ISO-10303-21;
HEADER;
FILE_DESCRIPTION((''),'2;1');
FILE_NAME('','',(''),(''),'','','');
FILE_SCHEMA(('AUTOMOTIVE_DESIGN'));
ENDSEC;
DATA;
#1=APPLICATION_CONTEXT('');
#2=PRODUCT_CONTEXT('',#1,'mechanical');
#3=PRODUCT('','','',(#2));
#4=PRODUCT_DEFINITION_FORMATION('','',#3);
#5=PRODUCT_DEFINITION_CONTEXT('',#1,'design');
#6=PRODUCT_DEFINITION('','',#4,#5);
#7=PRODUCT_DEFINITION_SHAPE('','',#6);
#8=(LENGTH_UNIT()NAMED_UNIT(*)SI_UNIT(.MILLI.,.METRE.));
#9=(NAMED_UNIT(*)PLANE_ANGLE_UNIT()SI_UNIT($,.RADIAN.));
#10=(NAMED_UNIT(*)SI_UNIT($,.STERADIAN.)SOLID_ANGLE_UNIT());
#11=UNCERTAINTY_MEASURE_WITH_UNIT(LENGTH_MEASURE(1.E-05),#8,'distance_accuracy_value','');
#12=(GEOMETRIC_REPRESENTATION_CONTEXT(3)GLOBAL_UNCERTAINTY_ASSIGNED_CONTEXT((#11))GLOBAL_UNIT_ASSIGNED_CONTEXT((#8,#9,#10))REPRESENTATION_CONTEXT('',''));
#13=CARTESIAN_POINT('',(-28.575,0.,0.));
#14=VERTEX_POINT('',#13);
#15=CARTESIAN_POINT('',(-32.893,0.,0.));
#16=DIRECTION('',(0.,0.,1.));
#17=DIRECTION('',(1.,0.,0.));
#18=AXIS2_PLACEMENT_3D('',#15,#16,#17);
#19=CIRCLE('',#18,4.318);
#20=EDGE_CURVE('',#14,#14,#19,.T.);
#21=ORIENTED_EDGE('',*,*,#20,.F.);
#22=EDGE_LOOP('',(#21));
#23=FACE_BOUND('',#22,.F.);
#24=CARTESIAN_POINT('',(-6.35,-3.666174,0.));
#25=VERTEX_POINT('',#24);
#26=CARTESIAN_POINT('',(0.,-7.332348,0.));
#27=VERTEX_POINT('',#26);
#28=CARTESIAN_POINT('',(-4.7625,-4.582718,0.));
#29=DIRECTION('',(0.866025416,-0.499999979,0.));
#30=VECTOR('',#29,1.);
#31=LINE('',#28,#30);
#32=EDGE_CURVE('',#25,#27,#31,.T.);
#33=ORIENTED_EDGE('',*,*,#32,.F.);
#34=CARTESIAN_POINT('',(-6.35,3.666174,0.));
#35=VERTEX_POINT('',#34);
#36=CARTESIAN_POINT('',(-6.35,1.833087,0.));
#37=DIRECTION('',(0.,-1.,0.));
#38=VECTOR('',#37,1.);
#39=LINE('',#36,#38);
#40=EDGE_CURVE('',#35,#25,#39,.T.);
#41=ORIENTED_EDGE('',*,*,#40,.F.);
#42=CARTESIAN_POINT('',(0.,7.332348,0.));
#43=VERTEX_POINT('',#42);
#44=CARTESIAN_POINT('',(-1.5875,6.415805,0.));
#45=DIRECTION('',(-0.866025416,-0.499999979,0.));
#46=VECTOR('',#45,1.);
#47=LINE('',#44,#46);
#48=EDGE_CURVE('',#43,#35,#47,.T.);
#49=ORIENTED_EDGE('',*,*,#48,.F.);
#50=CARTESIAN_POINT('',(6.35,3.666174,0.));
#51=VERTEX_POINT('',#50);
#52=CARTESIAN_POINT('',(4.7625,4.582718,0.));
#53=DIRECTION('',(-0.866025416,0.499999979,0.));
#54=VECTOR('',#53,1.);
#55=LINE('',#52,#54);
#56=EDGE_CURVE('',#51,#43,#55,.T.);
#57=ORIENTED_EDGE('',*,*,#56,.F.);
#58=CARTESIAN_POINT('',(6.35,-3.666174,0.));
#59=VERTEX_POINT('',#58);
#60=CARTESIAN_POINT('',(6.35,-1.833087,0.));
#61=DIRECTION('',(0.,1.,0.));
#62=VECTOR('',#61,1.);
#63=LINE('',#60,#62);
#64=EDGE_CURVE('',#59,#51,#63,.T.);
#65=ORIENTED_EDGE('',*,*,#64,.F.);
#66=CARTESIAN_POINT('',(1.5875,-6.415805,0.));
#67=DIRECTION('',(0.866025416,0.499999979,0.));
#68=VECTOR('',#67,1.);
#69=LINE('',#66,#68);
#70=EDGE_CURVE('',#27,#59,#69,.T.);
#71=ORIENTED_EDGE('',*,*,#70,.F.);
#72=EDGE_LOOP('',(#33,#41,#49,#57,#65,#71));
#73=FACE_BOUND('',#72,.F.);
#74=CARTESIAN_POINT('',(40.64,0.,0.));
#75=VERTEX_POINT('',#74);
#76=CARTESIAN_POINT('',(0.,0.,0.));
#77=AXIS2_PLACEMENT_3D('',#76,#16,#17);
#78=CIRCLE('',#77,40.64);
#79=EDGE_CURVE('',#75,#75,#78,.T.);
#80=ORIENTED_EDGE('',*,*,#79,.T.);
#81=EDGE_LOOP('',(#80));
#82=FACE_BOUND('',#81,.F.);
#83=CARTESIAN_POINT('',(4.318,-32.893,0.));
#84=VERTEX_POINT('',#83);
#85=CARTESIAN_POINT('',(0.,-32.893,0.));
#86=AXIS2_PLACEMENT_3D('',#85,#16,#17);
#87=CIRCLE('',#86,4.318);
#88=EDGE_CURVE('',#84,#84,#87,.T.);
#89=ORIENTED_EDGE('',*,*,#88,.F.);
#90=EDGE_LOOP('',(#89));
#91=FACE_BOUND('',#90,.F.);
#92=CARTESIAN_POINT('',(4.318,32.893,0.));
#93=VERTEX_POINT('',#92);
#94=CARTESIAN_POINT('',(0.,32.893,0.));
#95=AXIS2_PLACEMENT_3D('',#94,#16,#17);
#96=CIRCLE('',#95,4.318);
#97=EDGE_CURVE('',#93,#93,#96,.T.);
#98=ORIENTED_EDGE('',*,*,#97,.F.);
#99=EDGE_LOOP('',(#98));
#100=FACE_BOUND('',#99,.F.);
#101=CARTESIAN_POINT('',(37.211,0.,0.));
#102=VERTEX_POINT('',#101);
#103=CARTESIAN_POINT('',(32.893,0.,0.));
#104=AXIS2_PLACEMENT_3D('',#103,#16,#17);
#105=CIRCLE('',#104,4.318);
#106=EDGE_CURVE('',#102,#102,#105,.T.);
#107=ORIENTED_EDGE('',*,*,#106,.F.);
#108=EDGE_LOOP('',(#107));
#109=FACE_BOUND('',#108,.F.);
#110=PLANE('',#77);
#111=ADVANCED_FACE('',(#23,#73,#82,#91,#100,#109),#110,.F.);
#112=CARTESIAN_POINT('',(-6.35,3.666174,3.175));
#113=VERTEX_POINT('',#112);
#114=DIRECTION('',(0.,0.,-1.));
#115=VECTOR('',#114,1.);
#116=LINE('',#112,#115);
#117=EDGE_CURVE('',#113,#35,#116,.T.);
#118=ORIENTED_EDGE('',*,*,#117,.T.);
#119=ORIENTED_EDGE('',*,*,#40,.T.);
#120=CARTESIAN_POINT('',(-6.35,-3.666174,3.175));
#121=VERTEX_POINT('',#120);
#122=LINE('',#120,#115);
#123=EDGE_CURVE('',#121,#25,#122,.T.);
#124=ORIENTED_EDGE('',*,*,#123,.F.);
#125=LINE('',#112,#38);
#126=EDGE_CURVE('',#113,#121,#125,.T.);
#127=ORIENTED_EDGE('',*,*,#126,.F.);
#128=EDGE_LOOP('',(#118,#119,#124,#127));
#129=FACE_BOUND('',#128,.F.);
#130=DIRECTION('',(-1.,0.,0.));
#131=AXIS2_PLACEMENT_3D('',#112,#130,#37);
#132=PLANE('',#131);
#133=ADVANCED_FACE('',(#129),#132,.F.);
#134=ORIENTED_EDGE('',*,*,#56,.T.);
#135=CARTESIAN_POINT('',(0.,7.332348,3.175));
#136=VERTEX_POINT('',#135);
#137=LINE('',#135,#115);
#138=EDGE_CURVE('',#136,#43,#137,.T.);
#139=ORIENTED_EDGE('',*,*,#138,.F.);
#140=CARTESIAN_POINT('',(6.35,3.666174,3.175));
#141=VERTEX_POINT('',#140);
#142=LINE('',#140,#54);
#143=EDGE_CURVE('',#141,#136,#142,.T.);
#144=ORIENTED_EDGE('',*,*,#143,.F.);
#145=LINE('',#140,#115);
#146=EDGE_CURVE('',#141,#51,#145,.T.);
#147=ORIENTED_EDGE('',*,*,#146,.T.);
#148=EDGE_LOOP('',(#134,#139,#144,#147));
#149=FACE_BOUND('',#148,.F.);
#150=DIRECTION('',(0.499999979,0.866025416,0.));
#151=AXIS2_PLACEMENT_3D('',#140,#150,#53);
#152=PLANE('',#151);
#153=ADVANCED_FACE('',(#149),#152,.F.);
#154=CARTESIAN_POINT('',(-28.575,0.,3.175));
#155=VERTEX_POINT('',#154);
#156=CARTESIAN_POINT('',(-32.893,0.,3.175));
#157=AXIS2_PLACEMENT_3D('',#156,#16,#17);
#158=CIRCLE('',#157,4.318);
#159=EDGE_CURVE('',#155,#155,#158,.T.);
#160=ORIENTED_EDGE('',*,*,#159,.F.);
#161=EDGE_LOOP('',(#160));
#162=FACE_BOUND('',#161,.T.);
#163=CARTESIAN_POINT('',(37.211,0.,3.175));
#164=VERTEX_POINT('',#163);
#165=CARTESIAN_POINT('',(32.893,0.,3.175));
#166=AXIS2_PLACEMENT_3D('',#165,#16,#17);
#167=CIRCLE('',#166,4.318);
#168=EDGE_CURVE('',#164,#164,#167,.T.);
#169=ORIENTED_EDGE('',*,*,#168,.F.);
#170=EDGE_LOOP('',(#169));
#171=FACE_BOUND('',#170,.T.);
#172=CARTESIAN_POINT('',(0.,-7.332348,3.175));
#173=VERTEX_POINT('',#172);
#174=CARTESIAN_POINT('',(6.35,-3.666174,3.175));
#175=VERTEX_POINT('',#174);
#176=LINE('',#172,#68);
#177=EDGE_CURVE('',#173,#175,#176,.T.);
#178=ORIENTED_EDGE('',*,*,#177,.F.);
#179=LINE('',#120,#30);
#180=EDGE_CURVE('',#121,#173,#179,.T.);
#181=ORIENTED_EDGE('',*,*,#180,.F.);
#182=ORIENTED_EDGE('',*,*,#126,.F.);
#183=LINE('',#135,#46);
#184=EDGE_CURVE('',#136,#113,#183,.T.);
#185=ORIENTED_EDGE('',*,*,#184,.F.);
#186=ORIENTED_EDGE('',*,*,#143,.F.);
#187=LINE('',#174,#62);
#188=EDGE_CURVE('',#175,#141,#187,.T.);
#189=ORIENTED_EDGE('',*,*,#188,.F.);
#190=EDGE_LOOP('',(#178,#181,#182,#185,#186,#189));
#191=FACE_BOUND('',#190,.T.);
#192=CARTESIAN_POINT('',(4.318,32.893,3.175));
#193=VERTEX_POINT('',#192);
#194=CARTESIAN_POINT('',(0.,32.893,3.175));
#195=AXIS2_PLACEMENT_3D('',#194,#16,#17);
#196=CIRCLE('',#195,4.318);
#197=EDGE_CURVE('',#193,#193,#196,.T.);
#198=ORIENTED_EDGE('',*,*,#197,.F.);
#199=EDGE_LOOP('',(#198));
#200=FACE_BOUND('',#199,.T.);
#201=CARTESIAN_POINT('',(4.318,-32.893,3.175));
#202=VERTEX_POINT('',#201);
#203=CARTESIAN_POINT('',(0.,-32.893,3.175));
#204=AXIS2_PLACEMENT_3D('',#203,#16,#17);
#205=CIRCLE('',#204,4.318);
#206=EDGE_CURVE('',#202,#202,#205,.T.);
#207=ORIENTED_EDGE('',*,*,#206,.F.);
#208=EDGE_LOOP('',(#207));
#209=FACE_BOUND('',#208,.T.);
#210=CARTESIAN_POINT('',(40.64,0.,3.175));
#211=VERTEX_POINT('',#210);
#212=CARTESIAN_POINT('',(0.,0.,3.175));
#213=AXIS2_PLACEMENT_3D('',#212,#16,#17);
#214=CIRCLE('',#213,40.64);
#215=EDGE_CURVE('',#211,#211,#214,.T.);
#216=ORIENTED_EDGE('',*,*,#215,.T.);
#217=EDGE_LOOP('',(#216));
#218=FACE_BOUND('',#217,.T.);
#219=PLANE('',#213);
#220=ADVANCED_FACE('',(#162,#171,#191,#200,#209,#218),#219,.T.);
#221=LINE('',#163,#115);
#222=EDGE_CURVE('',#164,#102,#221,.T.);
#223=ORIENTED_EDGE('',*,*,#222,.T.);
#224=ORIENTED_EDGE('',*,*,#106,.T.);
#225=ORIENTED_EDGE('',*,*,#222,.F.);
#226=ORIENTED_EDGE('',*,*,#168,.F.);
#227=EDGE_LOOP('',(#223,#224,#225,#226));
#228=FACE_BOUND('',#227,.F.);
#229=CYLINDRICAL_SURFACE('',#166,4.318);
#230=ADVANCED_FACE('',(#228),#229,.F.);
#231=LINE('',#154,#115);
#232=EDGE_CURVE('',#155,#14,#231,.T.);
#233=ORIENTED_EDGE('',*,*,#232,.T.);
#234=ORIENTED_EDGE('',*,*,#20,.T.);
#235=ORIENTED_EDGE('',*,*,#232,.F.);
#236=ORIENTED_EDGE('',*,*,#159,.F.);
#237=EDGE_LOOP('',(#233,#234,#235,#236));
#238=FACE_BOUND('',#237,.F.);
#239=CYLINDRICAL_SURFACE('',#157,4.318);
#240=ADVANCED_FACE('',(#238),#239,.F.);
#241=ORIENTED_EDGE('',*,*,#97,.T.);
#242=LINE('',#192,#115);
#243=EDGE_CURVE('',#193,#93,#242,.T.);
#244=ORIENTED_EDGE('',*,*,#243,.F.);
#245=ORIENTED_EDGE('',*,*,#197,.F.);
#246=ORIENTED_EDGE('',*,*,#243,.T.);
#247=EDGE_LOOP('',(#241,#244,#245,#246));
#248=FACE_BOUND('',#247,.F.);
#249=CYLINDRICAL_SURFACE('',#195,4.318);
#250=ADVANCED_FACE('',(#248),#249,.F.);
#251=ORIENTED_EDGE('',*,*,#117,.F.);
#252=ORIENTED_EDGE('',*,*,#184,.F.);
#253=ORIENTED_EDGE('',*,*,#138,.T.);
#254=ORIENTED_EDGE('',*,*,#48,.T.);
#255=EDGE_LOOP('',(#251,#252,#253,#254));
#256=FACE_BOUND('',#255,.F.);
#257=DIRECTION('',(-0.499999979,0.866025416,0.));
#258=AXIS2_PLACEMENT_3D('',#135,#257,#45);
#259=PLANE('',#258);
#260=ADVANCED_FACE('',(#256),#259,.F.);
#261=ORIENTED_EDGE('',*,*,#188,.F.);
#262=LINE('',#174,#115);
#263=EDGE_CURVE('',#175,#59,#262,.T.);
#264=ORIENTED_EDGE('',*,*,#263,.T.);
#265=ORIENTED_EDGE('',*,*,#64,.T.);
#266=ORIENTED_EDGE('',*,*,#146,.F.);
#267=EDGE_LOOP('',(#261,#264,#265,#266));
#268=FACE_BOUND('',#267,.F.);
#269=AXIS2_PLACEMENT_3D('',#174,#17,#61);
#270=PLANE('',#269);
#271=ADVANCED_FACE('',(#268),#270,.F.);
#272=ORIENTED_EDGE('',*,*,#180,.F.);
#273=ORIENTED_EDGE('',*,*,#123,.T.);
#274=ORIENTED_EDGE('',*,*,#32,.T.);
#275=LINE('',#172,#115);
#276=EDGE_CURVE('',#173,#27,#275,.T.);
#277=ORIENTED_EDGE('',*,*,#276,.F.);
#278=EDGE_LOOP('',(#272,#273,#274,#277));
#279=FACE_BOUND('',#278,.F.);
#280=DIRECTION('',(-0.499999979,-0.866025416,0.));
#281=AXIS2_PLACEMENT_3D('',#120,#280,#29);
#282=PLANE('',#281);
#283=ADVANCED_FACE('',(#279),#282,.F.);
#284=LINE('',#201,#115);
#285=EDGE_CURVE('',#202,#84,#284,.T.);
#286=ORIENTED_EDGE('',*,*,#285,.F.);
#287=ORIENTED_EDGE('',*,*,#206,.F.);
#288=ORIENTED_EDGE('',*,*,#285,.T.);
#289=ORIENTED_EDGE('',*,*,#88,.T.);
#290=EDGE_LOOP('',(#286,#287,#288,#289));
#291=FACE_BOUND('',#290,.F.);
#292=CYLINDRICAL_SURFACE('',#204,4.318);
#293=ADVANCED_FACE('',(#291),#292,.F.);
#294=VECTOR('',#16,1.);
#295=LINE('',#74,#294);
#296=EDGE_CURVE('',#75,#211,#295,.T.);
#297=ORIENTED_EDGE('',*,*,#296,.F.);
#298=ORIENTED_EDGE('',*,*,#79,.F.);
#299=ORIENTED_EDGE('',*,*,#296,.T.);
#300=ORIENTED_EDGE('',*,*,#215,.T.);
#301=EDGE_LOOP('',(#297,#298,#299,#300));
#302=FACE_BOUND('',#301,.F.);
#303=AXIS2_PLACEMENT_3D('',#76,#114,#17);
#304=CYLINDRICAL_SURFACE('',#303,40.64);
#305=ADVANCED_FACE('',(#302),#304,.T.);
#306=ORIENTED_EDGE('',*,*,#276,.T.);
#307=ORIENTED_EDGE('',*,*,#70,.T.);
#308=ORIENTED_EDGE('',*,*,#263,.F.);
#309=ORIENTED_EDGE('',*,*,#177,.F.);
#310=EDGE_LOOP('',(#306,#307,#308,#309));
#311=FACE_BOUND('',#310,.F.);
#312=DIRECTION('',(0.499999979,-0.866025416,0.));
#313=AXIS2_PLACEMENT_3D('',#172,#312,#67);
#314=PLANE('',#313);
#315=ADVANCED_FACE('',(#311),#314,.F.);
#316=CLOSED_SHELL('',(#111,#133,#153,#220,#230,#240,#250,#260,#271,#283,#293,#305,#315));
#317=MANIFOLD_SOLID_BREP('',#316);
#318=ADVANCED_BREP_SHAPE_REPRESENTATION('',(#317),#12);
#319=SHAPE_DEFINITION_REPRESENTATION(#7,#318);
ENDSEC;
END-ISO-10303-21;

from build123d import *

# Parameters (mm, degrees)
F0_R     = 40.64
F1_DEPTH = 3.175
F2_R     = 4.318
F4_DEPTH = 25.4
F5_DEPTH = 25.4


with BuildPart() as f1:
    # F0 (on Top) → F1 (new body)
    with BuildSketch(Plane.XY):
        Circle(F0_R)
    extrude(amount=F1_DEPTH)

    # F2 (on face) → F4 (cut)
    with BuildSketch(Plane.XY.offset(3.175)):
        with Locations((-32.893, 0)):
            Circle(F2_R)
        with Locations((0, -32.893)):
            Circle(F2_R)
        with Locations((32.893, 0)):
            Circle(F2_R)
        with Locations((0, 32.893)):
            Circle(F2_R)
    extrude(amount=-F4_DEPTH, mode=Mode.SUBTRACT)

    # F3 (on face) → F5 (cut)
    with BuildSketch(Plane.XY.offset(3.175)):
        Polygon((6.35, -3.666174), (6.35, 3.666174), (0, 7.332348), (-6.35, 3.666174), (-6.35, -3.666174), (0, -7.332348), align=None)
    extrude(amount=-F5_DEPTH, mode=Mode.SUBTRACT)


solid = f1.part
